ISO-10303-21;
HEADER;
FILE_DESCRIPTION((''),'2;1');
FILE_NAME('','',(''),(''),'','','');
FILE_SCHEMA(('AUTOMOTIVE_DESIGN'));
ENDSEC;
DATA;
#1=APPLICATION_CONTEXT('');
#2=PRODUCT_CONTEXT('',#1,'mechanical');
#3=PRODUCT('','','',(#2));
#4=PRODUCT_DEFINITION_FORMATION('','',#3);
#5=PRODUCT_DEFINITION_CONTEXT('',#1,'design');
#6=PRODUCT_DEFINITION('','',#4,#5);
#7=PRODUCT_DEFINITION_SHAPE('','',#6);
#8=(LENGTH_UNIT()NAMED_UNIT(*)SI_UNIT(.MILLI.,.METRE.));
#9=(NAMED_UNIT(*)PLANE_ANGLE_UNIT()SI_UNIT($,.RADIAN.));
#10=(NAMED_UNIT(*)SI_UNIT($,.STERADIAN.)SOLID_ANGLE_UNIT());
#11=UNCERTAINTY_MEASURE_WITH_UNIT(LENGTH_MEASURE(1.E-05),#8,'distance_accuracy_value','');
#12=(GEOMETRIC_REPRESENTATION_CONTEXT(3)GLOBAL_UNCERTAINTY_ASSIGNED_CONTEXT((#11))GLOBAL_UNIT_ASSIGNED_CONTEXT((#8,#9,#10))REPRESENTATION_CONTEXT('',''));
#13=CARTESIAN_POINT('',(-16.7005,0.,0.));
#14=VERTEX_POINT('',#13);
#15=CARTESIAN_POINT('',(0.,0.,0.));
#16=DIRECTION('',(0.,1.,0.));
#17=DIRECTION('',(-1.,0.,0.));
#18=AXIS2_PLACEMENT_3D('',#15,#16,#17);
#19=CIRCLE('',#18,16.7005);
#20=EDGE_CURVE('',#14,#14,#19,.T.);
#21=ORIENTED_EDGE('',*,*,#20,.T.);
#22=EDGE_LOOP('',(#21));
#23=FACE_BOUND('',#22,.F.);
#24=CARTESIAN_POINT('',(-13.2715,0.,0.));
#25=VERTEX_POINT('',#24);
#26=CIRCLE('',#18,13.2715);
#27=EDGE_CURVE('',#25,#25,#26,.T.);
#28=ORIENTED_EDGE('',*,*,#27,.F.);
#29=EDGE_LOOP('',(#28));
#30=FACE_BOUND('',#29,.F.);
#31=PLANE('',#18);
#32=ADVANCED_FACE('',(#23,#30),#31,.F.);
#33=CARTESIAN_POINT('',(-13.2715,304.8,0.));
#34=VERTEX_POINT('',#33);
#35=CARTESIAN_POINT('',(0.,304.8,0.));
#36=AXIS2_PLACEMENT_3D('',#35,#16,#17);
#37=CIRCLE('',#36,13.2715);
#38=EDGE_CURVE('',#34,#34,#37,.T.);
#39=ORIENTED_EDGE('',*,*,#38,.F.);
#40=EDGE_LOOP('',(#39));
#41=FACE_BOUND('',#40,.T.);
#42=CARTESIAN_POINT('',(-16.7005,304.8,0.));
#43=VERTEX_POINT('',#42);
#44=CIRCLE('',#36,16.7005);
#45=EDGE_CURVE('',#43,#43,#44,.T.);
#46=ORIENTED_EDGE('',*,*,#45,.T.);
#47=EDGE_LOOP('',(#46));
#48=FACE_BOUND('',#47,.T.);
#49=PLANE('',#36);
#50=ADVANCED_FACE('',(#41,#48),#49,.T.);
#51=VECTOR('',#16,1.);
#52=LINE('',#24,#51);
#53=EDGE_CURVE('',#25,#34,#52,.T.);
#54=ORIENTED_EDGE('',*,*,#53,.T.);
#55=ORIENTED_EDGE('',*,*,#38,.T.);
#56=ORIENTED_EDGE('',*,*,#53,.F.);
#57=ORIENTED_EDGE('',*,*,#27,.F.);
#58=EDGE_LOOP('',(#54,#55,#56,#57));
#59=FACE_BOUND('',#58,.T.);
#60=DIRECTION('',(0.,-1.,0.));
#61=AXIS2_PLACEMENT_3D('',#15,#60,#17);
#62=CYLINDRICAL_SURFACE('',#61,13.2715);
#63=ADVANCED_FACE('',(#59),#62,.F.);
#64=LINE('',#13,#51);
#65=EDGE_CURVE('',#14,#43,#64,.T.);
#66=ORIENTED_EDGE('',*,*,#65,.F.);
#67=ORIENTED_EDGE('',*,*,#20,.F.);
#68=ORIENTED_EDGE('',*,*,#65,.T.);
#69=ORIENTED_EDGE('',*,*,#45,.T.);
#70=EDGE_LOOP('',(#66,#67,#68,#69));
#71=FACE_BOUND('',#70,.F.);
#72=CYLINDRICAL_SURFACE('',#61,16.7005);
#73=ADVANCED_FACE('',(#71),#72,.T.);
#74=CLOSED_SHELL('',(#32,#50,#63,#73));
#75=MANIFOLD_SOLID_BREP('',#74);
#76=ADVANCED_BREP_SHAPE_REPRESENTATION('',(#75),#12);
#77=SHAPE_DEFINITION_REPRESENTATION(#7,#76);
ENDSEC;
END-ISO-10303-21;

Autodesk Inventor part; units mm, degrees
ref_plane "YZ Plane" through (0, 0, 0) normal (1, 0, 0) x (0, 1, 0)
ref_plane "XZ Plane" through (0, 0, 0) normal (0, 1, 0) x (-1, 0, 0)
ref_plane "XY Plane" through (0, 0, 0) normal (0, 0, 1) x (1, 0, 0)
sketch "Sketch1" plane through (0, 0, 0) normal (0, 1, 0) x (-1, 0, 0)
  circle A0 centre (0, 0) radius 13.2715
  circle A1 centre (0, 0) radius 16.7005
  dimension "d0" = 26.543
  dimension "d1" = 33.401
extrude "Extrusion1" add sketch "Sketch1" along normal blind 304.8
properties part number "pvc pipe 1in 1ft 2"
